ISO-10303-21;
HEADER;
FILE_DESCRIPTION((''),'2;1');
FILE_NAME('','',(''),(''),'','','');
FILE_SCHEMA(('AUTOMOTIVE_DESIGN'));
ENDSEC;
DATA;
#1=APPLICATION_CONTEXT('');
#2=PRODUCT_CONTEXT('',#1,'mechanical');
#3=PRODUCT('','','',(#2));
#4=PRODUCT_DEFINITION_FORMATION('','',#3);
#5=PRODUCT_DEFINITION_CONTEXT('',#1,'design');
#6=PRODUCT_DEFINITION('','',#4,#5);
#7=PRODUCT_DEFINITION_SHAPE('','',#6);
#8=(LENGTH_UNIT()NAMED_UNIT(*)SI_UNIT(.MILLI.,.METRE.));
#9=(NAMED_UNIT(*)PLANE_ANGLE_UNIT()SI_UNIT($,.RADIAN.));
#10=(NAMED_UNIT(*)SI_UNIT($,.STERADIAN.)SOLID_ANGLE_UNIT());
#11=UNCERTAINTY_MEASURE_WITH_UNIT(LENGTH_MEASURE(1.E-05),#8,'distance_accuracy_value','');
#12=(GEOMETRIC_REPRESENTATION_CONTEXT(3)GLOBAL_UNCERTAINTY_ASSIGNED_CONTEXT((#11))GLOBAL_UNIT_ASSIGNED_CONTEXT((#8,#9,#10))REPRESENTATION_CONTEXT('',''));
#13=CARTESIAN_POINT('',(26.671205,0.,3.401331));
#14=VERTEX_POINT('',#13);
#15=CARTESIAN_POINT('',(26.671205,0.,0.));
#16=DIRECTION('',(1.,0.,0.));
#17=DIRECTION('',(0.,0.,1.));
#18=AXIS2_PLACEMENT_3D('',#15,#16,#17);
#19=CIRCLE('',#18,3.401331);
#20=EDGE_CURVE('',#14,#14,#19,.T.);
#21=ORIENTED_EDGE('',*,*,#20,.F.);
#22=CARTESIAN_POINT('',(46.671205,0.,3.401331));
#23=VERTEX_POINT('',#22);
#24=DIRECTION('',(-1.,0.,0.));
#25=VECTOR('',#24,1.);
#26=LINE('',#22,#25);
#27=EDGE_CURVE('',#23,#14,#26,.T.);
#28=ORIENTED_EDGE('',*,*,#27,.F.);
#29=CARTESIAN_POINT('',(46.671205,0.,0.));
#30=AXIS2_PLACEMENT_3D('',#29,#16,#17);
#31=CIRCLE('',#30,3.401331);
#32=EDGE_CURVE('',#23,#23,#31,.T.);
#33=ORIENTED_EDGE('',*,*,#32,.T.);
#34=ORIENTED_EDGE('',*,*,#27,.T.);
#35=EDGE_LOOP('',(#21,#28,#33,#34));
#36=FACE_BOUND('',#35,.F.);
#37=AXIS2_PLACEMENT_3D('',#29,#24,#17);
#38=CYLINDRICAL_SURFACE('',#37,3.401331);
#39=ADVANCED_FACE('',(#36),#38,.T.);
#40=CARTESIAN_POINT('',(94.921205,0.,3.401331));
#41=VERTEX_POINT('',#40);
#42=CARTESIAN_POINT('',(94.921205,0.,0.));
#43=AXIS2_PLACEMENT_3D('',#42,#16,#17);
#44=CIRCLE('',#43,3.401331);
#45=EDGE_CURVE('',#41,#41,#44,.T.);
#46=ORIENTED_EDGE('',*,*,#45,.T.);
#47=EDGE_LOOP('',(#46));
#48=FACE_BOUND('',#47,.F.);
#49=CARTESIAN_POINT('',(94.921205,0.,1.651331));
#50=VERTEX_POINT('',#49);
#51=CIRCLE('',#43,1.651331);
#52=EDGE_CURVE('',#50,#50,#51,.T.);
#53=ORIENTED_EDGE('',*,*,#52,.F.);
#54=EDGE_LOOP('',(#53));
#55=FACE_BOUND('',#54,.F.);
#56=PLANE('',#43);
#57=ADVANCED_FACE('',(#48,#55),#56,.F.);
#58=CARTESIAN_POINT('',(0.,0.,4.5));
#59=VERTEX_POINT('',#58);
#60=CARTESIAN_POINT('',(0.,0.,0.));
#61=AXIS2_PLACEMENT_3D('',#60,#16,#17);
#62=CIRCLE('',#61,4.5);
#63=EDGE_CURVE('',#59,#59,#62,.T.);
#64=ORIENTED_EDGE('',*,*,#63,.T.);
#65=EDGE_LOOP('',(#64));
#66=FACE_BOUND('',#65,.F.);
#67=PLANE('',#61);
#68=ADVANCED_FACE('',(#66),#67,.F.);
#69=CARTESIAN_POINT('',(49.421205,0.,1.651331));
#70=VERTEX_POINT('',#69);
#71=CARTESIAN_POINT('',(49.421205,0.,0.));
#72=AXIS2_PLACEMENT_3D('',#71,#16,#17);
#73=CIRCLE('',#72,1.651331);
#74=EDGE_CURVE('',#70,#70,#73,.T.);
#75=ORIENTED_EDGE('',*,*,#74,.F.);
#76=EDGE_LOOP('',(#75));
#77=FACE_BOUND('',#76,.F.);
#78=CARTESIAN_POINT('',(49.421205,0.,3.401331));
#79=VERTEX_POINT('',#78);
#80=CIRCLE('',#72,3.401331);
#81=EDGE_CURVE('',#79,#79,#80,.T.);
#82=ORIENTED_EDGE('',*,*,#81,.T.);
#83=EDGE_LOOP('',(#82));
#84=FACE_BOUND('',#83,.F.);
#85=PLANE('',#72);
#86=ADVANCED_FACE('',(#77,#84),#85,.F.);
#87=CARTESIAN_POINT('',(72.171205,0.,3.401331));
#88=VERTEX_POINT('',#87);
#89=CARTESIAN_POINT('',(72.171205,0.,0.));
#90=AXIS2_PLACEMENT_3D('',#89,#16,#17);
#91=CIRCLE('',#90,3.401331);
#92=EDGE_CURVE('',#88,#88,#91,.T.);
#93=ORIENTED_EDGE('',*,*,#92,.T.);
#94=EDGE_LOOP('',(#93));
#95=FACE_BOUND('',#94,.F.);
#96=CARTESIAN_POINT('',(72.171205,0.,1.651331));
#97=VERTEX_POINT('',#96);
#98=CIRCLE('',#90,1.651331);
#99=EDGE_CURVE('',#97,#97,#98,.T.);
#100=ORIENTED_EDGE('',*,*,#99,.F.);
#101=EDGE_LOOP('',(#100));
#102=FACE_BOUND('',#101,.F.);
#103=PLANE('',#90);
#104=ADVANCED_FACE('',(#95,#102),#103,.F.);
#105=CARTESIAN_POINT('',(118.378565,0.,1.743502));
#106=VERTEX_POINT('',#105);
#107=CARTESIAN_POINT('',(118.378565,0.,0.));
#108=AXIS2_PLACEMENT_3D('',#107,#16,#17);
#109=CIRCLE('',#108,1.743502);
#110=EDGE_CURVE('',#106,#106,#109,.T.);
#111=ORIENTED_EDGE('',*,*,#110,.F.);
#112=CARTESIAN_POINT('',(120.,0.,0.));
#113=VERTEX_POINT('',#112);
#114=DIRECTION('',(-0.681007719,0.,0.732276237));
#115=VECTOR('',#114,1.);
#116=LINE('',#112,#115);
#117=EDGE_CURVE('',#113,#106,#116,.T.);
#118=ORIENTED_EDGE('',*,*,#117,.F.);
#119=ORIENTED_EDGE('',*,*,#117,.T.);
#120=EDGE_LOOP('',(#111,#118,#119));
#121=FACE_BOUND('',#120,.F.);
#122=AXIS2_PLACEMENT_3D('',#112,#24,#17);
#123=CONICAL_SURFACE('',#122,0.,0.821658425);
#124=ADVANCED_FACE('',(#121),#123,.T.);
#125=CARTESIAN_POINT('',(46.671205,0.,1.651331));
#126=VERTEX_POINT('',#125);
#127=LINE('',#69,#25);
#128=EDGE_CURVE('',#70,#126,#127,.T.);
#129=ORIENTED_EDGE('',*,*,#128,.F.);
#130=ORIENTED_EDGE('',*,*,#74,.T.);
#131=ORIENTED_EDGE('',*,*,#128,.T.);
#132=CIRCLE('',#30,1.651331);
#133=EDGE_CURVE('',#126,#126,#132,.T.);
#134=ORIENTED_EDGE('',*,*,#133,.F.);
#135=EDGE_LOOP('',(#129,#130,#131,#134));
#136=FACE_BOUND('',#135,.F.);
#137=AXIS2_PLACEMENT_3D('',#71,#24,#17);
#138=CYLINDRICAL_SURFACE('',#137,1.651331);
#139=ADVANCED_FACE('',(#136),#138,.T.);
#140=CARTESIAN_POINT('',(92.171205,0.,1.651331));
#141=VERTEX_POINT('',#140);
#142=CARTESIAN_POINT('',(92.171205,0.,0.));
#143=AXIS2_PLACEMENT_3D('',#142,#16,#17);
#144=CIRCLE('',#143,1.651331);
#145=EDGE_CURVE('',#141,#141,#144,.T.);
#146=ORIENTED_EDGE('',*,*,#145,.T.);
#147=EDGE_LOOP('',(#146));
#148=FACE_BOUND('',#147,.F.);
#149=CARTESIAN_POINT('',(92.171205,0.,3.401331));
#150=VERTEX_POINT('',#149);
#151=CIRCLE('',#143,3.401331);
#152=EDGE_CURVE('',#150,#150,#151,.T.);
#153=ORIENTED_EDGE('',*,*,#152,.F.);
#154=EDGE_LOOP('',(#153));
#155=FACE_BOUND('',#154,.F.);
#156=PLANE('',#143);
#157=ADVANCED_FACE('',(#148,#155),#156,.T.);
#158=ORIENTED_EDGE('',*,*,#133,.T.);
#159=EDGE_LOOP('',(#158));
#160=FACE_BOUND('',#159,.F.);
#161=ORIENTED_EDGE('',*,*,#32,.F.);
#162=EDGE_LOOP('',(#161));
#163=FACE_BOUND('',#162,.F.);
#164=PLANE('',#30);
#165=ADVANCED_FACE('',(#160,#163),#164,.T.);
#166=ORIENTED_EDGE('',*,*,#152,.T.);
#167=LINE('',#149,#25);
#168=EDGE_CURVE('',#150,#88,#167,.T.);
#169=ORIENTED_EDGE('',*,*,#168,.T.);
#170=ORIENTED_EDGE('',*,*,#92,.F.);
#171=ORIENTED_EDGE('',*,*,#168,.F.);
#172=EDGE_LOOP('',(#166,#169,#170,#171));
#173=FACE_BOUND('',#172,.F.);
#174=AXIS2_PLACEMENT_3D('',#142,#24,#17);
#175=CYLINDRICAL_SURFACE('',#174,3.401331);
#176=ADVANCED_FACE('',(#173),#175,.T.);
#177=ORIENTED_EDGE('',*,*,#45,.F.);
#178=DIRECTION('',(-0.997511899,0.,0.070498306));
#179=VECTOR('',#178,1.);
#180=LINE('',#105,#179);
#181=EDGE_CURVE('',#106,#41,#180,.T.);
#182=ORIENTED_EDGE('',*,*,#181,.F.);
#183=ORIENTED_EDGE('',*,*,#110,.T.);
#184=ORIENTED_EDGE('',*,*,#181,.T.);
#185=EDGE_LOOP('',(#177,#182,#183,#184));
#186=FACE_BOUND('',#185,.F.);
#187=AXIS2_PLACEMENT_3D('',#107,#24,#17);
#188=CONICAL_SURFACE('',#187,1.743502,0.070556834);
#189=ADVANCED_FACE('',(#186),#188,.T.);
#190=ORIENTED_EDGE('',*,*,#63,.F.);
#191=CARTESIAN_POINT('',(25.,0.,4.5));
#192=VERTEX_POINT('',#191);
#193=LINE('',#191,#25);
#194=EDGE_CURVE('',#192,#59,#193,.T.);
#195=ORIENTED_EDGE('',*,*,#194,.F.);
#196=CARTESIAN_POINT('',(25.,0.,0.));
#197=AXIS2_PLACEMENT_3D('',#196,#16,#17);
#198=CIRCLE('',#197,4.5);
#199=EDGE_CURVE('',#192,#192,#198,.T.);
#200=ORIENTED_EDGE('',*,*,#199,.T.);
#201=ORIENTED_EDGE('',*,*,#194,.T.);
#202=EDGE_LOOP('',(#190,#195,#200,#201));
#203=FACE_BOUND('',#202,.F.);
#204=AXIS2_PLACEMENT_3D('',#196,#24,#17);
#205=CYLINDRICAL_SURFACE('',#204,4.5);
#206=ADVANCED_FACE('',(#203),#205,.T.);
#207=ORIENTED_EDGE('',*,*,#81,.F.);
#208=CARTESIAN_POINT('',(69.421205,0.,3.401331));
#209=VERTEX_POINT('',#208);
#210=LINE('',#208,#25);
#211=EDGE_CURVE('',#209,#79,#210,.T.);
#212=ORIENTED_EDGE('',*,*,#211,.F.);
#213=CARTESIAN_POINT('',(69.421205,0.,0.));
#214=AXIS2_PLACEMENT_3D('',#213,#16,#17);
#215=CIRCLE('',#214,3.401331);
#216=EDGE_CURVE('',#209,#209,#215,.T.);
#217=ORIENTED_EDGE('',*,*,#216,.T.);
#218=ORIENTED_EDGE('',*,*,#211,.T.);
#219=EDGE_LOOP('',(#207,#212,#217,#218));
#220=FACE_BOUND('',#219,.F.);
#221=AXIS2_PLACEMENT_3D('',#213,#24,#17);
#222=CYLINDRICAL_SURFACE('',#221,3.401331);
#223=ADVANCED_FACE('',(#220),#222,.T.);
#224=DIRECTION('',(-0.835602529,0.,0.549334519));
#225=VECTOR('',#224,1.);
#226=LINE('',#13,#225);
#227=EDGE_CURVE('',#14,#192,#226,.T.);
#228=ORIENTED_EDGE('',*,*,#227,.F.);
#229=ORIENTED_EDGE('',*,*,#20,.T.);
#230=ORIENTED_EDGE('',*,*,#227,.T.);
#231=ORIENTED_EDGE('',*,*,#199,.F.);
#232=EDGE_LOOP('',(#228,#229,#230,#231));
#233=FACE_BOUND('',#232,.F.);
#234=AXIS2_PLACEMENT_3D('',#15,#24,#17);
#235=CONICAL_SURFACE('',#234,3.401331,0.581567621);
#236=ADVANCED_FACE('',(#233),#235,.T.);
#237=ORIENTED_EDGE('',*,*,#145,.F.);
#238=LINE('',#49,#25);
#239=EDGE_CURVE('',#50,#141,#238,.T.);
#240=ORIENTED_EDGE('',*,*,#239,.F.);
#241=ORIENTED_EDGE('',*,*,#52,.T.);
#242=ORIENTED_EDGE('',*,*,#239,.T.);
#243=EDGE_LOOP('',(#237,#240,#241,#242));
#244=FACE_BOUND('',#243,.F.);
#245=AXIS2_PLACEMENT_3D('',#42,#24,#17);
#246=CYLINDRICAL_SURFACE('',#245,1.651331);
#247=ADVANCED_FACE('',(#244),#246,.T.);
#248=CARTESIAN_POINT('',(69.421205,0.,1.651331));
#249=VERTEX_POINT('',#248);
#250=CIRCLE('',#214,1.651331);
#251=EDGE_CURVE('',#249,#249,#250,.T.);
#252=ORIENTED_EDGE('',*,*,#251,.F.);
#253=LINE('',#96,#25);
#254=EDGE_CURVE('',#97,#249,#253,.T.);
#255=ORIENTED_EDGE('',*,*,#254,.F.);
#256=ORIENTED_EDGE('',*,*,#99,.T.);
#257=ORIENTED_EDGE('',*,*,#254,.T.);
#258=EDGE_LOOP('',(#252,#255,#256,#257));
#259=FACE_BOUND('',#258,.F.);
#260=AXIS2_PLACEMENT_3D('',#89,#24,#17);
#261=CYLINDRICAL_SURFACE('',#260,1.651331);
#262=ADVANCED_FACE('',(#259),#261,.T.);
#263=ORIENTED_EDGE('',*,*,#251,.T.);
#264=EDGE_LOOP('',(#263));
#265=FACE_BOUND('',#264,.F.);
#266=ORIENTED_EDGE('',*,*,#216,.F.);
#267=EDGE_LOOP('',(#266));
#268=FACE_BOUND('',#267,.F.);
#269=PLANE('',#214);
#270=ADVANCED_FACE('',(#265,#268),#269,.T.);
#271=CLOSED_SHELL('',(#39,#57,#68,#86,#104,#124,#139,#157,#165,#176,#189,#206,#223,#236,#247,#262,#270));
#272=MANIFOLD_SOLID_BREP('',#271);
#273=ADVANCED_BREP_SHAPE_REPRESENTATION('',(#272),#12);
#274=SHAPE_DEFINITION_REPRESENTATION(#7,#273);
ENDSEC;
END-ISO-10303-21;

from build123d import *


with BuildPart() as f1:
    # F0 (on Front) → F1 (revolve)
    with BuildSketch(Plane.XZ):
        Polygon((118.378565, 1.743502), (118.378565, 0), (120, 0), align=None)
        Polygon((0, 4.5), (0, 0), (118.378565, 0), (118.378565, 1.743502), (94.921205, 3.401331), (94.921205, 1.651331), (92.171205, 1.651331), (92.171205, 3.401331), (72.171205, 3.401331), (72.171205, 1.651331), (69.421205, 1.651331), (69.421205, 3.401331), (49.421205, 3.401331), (49.421205, 1.651331), (46.671205, 1.651331), (46.671205, 3.401331), (26.671205, 3.401331), (25, 4.5), align=None)
    revolve(axis=Axis((60, 0, 0), (1, 0, 0)))


solid = f1.part
